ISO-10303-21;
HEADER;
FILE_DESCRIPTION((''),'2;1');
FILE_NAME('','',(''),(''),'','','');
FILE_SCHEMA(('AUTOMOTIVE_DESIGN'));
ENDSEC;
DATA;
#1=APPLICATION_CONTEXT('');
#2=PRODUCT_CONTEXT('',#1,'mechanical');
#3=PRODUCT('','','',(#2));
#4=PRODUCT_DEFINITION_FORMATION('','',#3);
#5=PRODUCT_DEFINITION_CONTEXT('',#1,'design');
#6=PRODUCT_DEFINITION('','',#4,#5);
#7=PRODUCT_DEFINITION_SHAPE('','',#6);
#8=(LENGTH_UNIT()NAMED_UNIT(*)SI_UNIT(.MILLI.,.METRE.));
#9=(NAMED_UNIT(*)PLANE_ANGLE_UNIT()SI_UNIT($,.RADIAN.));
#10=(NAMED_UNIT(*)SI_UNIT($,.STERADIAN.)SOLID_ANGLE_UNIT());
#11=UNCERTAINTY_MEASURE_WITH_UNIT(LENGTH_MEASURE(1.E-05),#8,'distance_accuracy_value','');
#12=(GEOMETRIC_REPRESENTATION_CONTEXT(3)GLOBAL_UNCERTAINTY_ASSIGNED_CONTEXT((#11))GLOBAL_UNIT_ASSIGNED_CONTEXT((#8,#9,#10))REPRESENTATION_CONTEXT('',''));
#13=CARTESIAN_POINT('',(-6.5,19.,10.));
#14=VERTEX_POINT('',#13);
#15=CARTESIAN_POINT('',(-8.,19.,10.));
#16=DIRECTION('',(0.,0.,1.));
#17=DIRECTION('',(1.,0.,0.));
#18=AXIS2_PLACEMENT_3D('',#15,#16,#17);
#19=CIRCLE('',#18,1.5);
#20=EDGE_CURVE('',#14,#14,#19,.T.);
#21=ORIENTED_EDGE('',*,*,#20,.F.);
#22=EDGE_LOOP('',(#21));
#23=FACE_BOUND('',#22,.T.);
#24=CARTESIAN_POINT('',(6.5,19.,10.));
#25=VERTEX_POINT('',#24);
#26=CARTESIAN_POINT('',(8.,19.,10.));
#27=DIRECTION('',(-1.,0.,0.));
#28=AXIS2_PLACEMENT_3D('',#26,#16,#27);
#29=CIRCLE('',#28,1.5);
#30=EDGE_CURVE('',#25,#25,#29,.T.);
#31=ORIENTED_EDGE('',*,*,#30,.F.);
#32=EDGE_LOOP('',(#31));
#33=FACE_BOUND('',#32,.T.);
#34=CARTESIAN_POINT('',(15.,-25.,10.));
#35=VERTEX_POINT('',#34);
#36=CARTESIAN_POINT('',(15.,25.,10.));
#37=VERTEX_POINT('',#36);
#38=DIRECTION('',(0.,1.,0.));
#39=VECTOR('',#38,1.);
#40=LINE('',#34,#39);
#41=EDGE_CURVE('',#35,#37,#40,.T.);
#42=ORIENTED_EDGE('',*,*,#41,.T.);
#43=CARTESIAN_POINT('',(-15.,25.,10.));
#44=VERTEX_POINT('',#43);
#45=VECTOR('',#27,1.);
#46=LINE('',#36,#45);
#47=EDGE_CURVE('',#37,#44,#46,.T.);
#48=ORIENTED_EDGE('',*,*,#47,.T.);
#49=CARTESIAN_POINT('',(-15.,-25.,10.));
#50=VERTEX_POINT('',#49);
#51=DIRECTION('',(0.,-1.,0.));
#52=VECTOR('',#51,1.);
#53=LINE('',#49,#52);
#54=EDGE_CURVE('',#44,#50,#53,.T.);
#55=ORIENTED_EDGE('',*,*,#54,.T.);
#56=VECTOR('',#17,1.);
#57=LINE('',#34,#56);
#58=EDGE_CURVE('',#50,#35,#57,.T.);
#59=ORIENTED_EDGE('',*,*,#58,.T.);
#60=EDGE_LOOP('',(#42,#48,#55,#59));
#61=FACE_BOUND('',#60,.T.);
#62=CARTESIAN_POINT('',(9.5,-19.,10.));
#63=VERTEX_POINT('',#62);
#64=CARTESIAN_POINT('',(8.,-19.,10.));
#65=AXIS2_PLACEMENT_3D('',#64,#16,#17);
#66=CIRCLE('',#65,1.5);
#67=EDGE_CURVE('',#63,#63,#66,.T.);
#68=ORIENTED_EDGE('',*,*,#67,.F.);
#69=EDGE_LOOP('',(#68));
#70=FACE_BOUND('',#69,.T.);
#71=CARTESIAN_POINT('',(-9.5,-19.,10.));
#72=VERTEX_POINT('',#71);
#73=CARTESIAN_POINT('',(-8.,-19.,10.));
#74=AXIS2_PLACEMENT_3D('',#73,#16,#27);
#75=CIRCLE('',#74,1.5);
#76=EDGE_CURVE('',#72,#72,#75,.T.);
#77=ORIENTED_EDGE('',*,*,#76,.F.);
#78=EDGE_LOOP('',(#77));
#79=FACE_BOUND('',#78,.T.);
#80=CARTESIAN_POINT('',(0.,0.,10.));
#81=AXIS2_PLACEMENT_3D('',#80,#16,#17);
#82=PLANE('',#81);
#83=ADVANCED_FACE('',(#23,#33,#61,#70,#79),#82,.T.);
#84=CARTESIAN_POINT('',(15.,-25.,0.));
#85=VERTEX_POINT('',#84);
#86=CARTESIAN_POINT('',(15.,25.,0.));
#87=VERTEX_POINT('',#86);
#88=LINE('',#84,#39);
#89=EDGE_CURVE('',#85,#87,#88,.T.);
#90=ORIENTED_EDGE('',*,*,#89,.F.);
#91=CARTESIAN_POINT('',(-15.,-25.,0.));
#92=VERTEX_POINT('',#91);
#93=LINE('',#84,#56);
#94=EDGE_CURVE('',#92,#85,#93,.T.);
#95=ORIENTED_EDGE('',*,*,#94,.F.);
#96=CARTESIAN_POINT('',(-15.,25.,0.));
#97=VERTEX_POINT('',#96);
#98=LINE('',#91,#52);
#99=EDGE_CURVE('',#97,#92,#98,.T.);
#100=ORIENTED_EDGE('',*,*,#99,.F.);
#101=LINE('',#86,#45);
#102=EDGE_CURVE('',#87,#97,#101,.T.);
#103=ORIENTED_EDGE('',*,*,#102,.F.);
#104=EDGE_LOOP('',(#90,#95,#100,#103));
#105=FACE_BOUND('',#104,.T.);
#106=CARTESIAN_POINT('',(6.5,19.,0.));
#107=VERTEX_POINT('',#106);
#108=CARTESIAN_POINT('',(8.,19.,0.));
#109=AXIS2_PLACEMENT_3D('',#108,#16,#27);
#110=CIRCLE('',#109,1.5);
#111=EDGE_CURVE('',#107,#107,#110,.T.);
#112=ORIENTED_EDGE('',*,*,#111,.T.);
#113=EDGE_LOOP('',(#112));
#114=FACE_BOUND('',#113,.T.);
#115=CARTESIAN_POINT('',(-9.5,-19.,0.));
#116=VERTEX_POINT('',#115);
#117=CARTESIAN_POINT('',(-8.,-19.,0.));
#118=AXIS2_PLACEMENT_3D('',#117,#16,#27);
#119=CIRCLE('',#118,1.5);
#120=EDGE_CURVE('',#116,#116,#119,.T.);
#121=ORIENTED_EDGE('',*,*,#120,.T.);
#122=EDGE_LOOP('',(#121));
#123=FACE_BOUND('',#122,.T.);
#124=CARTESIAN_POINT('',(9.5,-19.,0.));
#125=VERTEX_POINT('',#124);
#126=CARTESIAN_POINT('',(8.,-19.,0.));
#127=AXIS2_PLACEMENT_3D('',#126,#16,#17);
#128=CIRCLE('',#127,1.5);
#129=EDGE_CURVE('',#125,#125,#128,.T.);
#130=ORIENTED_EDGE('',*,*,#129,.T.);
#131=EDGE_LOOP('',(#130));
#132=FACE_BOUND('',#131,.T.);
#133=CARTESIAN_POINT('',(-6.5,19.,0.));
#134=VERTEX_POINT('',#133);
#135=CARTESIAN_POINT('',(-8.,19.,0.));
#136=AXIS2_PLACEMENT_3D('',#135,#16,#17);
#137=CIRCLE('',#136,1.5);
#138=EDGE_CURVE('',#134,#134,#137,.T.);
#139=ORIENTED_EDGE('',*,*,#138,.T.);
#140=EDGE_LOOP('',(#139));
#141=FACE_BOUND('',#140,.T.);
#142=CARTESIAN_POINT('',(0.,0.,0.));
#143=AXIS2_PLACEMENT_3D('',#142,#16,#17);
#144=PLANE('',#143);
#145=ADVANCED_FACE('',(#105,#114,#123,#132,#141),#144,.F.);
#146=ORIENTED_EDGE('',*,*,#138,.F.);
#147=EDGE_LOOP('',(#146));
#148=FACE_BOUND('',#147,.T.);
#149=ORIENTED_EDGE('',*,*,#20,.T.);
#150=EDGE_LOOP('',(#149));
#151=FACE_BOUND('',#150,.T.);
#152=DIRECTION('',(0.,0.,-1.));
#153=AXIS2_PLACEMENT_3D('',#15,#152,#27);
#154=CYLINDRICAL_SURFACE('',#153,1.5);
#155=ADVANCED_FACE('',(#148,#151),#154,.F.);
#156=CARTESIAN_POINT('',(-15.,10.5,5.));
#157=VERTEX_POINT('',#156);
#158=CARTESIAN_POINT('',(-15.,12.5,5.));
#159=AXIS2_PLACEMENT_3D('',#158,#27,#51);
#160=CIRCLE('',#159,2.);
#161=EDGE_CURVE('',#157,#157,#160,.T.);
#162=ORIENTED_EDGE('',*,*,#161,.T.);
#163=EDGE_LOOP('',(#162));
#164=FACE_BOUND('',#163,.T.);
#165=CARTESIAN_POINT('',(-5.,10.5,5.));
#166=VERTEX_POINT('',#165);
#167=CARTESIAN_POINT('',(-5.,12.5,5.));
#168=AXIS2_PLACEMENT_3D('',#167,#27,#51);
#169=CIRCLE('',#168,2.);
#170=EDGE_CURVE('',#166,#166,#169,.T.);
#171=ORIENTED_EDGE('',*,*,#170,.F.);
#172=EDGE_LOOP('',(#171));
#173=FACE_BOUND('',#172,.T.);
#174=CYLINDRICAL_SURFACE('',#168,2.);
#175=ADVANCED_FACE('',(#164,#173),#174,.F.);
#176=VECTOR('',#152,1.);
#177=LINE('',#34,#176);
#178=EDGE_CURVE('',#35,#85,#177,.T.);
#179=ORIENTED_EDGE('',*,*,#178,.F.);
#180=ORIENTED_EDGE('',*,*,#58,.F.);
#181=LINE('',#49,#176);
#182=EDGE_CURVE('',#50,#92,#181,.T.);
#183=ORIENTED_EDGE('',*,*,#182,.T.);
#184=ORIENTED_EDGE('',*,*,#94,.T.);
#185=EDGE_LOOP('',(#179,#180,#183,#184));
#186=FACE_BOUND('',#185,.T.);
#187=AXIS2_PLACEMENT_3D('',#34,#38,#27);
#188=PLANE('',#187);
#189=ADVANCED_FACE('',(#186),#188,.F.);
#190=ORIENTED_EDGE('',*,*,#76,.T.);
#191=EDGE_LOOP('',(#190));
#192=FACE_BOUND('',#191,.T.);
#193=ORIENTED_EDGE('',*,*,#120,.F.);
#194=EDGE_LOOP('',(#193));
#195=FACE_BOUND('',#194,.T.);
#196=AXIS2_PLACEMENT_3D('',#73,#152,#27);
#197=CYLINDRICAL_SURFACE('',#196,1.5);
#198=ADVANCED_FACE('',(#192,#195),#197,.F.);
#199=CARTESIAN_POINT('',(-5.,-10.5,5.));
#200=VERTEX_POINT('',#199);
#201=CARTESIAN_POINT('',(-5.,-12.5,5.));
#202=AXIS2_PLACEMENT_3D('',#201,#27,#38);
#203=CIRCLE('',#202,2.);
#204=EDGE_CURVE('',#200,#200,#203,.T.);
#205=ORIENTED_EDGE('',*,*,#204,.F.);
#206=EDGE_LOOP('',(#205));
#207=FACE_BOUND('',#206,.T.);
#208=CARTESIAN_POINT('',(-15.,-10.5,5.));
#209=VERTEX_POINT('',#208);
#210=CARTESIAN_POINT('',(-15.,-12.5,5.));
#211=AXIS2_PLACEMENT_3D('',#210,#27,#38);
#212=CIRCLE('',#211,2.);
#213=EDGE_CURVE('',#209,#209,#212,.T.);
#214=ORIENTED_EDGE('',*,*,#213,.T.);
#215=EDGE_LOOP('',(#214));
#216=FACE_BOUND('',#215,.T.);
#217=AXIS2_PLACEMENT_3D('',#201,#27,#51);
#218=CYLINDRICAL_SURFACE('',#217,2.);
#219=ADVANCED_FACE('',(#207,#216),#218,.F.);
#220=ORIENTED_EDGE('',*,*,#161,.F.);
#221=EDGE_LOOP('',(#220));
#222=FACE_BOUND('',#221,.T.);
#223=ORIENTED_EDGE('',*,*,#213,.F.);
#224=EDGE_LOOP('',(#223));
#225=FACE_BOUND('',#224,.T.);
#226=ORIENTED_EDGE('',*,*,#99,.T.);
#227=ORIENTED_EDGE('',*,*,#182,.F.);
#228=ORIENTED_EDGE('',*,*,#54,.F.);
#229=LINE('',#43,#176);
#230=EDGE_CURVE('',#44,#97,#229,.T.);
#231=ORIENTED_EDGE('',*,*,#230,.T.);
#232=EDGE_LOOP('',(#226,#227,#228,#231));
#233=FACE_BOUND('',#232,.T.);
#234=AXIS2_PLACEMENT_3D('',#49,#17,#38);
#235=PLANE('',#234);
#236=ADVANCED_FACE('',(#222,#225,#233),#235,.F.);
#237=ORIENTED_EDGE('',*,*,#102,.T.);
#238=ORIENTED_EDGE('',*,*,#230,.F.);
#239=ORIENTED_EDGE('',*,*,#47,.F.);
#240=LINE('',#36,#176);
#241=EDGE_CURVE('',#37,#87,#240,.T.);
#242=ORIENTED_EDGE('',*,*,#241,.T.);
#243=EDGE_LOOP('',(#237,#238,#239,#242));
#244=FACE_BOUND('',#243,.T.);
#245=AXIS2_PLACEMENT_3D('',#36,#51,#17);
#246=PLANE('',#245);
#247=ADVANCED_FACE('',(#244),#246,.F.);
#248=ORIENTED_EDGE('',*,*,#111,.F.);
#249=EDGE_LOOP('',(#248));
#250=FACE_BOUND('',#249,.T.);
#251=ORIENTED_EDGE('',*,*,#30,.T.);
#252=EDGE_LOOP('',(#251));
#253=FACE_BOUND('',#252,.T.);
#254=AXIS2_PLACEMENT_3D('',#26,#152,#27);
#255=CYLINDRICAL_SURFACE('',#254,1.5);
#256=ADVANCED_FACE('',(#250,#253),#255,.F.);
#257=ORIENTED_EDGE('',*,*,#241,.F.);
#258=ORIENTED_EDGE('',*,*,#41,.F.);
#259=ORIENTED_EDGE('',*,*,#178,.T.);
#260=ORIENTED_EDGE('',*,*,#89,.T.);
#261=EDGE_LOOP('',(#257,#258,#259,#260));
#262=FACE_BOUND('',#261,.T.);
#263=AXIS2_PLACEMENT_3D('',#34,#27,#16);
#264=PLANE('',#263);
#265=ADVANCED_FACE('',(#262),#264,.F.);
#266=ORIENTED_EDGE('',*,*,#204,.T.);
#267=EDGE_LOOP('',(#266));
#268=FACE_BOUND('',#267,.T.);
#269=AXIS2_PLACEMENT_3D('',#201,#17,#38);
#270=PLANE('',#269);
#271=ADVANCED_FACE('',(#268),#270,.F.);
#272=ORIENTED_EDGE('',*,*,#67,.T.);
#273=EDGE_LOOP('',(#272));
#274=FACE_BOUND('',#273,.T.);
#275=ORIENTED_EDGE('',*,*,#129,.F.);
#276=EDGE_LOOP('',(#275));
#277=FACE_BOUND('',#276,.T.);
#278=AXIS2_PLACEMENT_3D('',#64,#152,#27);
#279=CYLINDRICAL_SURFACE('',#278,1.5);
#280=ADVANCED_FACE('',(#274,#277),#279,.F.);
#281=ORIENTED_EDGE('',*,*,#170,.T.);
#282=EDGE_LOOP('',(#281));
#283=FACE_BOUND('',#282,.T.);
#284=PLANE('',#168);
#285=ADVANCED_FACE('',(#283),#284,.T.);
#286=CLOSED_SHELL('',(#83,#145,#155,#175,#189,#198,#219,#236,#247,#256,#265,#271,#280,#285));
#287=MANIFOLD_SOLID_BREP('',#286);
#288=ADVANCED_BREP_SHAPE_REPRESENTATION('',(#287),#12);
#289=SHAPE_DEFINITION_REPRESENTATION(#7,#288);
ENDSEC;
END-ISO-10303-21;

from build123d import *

# Parameters (mm, degrees)
SKETCH1_W           = 30
SKETCH1_H           = 50
SKETCH1_R           = 1.5
BOSS_EXTRUDE1_DEPTH = 10
SKETCH3_R           = 2
CUT_EXTRUDE1_DEPTH  = 10


with BuildPart() as part:
    # Sketch1 → Boss-Extrude1 (new body)
    with BuildSketch(Plane.XY):
        Rectangle(SKETCH1_W, SKETCH1_H)
        with Locations((-8, 19)):
            Circle(SKETCH1_R, mode=Mode.SUBTRACT)
        with Locations(Location((8, 19, 0), (0, 0, 180))):
            Circle(SKETCH1_R, mode=Mode.SUBTRACT)
        with Locations((8, -19)):
            Circle(SKETCH1_R, mode=Mode.SUBTRACT)
        with Locations(Location((-8, -19, 0), (0, 0, 180))):
            Circle(SKETCH1_R, mode=Mode.SUBTRACT)
    extrude(amount=BOSS_EXTRUDE1_DEPTH)

    # Sketch3 → Cut-Extrude1 (cut)
    with BuildSketch(Plane.ZY.offset(15)):
        with Locations(Location((5, 12.5, 0), (0, 0, 270))):
            Circle(SKETCH3_R)
        with Locations(Location((5, -12.5, 0), (0, 0, 90))):
            Circle(SKETCH3_R)
    extrude(amount=-CUT_EXTRUDE1_DEPTH, mode=Mode.SUBTRACT)


solid = part.part
